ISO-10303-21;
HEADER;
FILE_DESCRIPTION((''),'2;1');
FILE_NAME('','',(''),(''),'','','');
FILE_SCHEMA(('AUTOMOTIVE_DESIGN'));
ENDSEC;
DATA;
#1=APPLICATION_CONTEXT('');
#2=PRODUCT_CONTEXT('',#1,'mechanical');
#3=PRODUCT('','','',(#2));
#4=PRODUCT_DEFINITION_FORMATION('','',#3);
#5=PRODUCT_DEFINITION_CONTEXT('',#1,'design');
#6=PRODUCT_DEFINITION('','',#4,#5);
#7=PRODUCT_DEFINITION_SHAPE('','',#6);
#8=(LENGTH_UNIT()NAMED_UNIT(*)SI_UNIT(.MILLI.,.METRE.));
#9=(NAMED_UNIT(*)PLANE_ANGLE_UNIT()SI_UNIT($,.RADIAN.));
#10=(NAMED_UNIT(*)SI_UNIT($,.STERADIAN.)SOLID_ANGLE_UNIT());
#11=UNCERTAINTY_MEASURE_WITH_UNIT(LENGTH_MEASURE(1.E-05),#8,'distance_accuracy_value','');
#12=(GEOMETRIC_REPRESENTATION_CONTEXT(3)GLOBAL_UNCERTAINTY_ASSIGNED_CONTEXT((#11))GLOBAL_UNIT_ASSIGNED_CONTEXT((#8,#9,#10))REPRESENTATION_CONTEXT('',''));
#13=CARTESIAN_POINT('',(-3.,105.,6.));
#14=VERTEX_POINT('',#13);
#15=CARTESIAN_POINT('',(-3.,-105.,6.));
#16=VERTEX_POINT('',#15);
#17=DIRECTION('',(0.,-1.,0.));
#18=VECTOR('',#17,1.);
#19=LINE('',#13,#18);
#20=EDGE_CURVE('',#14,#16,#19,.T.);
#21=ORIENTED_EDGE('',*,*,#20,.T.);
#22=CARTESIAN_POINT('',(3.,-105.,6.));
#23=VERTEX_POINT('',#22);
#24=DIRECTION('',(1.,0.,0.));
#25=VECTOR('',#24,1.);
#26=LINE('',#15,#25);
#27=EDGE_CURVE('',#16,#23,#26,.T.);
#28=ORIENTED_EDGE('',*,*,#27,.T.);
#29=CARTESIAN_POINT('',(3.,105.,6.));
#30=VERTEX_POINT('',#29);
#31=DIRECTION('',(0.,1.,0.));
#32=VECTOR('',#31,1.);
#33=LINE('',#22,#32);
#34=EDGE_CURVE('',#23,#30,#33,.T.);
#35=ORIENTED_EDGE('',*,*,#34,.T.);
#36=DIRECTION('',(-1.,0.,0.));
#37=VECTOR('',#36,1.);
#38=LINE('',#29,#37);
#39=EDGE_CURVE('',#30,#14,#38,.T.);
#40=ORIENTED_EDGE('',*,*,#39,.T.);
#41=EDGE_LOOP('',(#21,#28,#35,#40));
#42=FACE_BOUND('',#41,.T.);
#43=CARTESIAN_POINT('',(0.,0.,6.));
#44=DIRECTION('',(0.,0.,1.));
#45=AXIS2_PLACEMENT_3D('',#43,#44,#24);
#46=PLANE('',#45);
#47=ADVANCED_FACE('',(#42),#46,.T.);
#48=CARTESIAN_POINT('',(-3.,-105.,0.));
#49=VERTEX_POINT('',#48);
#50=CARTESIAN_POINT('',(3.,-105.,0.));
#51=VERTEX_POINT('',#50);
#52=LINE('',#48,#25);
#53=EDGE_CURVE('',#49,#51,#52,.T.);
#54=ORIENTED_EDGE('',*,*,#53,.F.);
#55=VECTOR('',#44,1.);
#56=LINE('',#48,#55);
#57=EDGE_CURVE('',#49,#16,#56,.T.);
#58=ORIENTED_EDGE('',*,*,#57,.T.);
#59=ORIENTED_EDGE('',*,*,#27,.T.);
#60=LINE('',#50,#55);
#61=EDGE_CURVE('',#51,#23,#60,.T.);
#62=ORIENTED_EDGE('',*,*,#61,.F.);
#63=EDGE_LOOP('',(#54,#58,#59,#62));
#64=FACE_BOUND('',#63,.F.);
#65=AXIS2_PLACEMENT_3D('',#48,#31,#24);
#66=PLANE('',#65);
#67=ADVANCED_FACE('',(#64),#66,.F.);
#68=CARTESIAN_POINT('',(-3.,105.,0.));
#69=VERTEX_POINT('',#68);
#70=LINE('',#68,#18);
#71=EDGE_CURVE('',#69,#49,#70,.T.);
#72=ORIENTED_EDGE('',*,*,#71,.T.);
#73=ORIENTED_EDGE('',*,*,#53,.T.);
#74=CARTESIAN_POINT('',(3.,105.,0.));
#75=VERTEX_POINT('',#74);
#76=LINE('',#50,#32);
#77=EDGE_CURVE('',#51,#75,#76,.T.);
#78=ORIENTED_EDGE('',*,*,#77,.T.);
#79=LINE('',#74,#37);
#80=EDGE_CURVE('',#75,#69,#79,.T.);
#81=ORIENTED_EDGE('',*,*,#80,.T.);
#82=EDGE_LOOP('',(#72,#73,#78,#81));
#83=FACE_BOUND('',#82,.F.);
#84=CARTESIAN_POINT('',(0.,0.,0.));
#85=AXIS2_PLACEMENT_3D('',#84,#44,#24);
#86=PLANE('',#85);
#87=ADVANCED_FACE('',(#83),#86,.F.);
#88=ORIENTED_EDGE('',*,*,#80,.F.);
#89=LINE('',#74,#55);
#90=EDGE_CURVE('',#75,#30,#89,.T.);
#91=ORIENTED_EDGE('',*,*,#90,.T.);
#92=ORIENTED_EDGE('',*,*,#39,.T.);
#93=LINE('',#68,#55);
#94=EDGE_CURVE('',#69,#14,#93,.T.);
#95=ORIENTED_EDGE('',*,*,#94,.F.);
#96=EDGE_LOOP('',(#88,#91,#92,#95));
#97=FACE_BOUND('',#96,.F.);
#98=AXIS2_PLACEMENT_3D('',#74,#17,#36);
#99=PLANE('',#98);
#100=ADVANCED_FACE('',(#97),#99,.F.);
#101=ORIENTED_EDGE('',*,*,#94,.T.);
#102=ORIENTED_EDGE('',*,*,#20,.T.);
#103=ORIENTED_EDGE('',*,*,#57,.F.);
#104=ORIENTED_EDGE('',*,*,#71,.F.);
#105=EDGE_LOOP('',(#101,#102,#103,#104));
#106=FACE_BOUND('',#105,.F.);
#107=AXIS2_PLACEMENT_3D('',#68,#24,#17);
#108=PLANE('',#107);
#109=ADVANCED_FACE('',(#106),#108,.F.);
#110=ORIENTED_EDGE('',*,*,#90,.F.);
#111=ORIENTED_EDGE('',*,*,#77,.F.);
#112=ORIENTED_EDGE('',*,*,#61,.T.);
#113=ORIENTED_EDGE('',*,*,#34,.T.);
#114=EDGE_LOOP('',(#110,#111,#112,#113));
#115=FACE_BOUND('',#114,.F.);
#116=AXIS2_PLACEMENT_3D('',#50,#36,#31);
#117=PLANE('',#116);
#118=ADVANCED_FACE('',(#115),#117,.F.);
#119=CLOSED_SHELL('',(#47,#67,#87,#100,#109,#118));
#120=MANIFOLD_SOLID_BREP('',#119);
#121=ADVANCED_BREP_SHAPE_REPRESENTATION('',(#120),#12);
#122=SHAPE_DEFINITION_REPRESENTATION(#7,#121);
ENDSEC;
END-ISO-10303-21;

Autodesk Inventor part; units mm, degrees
ref_plane "YZ Plane" through (0, 0, 0) normal (1, 0, 0) x (0, 1, 0)
ref_plane "XZ Plane" through (0, 0, 0) normal (0, 1, 0) x (-1, 0, 0)
ref_plane "XY Plane" through (0, 0, 0) normal (0, 0, 1) x (1, 0, 0)
sketch "Sketch1" plane through (0, 0, 0) normal (0, 0, 1) x (1, 0, 0)
  line L0 (-3, -105) -> (3, -105)
  line L1 (3, -105) -> (3, 105)
  line L2 (3, 105) -> (-3, 105)
  line L3 (-3, 105) -> (-3, -105)
  line L4 (-3, -105) -> (3, 105) construction
  line L5 (3, -105) -> (-3, 105) construction
  point P0 (0, 0)
  dimension "d0" = 6
  dimension "d1" = 210
extrude "Extrusion1" add sketch "Sketch1" along normal blind 6
properties part number "Wall"
